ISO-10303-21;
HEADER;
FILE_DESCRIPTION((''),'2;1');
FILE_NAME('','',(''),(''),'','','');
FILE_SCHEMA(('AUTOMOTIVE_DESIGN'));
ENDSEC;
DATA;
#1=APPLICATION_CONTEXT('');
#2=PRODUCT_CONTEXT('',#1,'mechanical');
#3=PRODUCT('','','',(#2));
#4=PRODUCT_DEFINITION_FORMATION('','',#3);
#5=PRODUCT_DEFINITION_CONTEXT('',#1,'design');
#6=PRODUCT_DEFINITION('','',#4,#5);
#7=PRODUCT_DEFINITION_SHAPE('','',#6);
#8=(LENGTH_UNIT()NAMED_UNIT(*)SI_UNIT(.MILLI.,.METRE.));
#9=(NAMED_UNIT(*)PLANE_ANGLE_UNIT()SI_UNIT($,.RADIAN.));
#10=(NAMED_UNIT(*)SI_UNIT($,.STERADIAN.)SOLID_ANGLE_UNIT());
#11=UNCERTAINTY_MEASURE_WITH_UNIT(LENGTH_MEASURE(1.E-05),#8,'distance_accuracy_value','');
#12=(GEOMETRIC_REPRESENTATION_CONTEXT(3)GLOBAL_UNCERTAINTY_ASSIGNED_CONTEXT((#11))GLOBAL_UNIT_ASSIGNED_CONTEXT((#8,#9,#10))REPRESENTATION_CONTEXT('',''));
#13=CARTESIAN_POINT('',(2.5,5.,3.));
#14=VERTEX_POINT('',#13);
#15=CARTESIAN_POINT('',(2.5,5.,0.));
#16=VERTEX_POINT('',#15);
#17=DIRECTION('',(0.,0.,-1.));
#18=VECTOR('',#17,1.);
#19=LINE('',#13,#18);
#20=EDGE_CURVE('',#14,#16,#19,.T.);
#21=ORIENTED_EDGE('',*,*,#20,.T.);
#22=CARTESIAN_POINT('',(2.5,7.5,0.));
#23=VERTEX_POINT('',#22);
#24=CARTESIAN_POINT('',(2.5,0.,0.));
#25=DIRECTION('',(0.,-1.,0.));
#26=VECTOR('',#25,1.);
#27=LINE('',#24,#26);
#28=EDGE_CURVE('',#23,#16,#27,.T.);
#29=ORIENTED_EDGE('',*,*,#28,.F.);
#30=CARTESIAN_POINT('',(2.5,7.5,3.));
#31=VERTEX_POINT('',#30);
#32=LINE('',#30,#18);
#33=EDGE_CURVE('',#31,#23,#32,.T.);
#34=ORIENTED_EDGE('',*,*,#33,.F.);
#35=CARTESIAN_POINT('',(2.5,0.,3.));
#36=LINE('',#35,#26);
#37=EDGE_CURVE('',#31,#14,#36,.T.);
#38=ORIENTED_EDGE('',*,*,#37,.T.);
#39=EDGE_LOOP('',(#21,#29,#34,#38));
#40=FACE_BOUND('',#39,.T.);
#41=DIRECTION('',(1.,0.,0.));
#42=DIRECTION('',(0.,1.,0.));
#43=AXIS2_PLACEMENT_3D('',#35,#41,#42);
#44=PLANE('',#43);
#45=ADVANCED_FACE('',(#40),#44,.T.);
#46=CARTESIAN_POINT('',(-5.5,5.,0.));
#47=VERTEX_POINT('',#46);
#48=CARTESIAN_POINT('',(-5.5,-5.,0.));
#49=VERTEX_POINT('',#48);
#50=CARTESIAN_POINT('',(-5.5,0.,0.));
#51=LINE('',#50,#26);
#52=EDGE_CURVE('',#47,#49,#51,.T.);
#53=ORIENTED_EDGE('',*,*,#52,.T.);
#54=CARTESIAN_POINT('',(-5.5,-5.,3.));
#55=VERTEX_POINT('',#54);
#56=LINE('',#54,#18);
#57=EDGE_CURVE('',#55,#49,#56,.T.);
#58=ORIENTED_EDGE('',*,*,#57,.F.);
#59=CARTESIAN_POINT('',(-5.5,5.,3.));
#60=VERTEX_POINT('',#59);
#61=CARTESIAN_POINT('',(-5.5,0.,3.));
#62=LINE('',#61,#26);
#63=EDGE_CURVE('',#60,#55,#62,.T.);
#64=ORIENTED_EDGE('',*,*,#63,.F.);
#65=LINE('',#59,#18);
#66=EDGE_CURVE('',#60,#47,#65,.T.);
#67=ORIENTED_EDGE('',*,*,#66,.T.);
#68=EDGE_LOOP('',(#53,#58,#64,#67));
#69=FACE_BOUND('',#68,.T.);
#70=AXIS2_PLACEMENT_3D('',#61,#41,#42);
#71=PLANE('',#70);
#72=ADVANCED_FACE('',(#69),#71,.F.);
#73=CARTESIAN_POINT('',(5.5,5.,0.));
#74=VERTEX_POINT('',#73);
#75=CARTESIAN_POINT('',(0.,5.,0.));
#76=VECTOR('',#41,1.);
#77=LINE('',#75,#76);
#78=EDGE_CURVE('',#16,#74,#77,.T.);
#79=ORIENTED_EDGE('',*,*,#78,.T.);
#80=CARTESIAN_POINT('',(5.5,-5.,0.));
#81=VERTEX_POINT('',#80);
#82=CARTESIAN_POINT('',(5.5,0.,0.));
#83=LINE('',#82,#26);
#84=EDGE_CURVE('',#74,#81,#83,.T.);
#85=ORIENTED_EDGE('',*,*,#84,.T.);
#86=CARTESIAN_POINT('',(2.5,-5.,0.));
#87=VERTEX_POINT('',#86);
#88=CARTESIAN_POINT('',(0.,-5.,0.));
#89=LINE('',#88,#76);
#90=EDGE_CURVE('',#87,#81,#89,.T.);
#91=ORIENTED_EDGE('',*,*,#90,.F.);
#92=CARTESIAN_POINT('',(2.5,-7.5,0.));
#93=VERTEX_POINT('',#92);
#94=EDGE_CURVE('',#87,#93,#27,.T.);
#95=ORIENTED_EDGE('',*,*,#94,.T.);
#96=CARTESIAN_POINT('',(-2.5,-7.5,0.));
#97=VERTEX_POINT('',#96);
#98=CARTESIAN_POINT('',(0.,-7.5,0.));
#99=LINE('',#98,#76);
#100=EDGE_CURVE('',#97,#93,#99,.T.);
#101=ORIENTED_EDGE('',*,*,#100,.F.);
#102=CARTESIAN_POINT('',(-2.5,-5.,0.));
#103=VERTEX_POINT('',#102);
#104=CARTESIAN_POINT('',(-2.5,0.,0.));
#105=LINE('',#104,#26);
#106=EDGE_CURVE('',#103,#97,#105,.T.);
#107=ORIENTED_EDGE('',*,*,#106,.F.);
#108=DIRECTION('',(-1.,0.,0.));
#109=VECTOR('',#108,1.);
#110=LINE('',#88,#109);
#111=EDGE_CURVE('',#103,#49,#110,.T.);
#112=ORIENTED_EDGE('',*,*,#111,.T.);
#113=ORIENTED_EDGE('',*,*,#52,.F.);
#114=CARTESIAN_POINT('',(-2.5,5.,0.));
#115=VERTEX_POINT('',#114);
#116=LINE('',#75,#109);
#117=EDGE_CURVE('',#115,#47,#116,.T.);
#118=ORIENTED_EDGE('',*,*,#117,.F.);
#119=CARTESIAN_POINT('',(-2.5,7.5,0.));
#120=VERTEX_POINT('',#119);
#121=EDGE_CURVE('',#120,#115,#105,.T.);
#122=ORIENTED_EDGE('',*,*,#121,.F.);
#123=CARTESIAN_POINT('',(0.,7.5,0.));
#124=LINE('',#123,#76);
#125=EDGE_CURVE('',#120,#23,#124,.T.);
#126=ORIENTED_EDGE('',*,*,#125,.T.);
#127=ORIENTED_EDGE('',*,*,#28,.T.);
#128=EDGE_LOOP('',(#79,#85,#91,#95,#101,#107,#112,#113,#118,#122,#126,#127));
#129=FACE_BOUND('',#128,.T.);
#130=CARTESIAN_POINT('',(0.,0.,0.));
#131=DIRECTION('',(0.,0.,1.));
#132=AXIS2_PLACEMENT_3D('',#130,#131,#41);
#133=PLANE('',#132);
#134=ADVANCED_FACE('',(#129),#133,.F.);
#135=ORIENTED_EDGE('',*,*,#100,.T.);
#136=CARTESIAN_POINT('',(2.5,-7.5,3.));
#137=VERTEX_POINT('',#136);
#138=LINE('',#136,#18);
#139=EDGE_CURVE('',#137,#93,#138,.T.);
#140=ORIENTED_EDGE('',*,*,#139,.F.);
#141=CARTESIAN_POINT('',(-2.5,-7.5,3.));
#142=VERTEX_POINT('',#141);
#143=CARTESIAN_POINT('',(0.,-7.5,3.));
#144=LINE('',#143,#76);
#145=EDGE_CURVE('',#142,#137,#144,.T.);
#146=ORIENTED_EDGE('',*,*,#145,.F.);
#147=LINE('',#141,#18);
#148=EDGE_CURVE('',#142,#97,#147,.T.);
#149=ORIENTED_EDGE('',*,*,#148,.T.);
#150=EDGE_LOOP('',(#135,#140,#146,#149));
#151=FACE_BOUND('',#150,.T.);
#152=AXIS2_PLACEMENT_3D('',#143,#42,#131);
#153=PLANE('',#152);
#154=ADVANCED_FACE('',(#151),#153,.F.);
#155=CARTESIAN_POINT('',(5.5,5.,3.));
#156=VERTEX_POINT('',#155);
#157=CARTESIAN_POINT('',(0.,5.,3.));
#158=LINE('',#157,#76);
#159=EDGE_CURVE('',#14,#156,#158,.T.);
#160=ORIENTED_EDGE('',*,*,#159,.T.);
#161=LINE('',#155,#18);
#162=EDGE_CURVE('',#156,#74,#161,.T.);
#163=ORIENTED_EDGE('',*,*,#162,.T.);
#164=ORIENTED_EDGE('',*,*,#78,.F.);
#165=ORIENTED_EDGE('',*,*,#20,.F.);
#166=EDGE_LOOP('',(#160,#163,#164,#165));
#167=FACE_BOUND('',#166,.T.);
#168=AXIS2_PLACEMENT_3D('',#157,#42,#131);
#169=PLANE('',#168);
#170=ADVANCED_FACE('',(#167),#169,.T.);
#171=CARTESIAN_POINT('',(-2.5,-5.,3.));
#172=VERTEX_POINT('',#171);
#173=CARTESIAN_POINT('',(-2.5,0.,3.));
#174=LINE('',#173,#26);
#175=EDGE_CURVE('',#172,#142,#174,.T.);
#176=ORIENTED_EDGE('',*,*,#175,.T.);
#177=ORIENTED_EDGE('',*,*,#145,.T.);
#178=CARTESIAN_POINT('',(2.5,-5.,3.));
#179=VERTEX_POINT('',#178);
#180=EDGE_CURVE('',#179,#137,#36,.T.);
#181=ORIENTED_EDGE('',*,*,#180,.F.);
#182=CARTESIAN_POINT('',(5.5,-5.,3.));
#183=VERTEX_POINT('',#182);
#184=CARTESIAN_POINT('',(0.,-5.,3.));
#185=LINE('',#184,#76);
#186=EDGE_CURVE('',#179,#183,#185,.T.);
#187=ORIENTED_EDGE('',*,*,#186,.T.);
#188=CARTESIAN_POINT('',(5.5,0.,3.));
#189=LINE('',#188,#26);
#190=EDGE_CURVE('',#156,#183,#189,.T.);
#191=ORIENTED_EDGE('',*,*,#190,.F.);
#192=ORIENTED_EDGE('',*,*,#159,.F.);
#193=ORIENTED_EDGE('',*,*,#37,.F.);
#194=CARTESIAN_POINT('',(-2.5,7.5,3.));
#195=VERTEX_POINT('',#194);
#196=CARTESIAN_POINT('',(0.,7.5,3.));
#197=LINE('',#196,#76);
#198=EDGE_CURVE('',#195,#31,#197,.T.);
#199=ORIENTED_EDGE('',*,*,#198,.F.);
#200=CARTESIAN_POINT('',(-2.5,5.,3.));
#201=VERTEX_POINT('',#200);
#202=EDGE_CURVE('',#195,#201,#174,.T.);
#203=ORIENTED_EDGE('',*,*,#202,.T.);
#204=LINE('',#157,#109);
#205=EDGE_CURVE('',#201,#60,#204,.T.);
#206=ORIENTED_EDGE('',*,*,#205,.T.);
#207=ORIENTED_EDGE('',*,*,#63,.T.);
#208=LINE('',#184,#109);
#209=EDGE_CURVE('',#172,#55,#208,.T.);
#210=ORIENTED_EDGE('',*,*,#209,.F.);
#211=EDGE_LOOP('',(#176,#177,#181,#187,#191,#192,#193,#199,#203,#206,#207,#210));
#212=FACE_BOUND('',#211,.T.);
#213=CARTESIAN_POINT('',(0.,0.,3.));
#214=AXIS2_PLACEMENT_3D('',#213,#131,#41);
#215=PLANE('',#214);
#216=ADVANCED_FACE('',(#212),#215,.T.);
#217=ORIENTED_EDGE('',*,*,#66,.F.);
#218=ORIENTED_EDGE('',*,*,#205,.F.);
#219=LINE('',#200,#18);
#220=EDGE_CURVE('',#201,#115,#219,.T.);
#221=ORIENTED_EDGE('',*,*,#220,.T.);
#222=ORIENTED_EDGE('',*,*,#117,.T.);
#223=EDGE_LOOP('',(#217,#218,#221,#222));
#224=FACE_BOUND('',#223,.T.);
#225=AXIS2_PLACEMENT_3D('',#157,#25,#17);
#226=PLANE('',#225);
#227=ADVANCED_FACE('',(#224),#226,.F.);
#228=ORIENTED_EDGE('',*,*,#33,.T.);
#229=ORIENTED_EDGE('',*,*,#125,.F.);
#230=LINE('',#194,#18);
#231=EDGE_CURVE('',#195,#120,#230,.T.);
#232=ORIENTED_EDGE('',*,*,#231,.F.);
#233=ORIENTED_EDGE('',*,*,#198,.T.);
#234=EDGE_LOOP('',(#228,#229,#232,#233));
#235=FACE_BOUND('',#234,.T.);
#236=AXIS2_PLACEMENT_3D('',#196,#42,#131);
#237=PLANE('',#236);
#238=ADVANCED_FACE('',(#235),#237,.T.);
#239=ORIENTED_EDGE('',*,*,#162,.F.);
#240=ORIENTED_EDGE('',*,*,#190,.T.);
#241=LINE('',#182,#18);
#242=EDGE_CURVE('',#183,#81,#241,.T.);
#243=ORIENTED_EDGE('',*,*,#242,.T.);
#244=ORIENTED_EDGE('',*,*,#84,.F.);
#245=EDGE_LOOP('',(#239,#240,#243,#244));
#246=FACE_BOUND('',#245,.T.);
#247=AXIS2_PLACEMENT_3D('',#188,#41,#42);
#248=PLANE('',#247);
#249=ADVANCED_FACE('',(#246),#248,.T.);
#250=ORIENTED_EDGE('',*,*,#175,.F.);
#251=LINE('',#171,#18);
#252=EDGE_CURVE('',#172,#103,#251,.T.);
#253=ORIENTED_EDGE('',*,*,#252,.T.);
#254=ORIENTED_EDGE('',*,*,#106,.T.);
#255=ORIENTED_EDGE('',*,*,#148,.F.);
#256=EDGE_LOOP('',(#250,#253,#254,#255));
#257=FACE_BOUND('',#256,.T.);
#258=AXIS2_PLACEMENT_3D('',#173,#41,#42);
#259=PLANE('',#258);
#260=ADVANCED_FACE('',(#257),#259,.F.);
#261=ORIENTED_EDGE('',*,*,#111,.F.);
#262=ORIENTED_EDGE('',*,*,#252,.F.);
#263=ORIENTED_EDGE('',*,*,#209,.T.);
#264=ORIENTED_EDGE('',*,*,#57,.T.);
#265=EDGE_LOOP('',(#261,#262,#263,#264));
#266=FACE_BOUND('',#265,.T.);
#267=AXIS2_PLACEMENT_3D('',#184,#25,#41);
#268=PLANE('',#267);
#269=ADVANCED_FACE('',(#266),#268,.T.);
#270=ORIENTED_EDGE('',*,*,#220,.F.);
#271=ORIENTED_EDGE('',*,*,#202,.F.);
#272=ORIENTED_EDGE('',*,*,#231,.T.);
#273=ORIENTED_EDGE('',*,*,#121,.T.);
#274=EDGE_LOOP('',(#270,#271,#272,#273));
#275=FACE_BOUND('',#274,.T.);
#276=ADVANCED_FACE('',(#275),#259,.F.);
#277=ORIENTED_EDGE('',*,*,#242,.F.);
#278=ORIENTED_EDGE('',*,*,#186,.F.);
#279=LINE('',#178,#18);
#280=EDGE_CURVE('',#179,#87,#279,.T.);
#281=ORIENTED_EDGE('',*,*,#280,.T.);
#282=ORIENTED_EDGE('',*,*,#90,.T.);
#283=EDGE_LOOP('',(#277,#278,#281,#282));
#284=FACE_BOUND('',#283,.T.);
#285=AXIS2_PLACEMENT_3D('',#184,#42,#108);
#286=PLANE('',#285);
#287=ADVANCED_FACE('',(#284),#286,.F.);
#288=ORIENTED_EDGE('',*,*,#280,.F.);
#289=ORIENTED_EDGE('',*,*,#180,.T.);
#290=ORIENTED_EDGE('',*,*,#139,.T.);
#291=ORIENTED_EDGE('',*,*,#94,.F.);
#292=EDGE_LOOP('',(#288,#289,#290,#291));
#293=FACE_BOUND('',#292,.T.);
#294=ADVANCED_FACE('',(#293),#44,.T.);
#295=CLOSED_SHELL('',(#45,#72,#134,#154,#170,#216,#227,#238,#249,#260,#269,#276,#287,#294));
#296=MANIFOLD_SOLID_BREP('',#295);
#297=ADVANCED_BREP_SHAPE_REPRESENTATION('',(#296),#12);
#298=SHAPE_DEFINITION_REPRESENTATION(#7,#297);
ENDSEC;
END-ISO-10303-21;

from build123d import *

# Parameters (mm, degrees)
SKETCH_1_W      = 3
SKETCH_1_H      = 10
SKETCH_1_W_2    = 5
SKETCH_1_H_2    = 15
EXTRUDE_1_DEPTH = 3


with BuildPart() as part:
    # 草图1 → 凸台-拉伸1 (new body)
    with BuildSketch(Plane.XY):
        with Locations((-4, 0)):
            Rectangle(SKETCH_1_W, SKETCH_1_H)
        Rectangle(SKETCH_1_W_2, SKETCH_1_H_2)
        with Locations((4, 0)):
            Rectangle(SKETCH_1_W, SKETCH_1_H)
    extrude(amount=EXTRUDE_1_DEPTH)


solid = part.part
